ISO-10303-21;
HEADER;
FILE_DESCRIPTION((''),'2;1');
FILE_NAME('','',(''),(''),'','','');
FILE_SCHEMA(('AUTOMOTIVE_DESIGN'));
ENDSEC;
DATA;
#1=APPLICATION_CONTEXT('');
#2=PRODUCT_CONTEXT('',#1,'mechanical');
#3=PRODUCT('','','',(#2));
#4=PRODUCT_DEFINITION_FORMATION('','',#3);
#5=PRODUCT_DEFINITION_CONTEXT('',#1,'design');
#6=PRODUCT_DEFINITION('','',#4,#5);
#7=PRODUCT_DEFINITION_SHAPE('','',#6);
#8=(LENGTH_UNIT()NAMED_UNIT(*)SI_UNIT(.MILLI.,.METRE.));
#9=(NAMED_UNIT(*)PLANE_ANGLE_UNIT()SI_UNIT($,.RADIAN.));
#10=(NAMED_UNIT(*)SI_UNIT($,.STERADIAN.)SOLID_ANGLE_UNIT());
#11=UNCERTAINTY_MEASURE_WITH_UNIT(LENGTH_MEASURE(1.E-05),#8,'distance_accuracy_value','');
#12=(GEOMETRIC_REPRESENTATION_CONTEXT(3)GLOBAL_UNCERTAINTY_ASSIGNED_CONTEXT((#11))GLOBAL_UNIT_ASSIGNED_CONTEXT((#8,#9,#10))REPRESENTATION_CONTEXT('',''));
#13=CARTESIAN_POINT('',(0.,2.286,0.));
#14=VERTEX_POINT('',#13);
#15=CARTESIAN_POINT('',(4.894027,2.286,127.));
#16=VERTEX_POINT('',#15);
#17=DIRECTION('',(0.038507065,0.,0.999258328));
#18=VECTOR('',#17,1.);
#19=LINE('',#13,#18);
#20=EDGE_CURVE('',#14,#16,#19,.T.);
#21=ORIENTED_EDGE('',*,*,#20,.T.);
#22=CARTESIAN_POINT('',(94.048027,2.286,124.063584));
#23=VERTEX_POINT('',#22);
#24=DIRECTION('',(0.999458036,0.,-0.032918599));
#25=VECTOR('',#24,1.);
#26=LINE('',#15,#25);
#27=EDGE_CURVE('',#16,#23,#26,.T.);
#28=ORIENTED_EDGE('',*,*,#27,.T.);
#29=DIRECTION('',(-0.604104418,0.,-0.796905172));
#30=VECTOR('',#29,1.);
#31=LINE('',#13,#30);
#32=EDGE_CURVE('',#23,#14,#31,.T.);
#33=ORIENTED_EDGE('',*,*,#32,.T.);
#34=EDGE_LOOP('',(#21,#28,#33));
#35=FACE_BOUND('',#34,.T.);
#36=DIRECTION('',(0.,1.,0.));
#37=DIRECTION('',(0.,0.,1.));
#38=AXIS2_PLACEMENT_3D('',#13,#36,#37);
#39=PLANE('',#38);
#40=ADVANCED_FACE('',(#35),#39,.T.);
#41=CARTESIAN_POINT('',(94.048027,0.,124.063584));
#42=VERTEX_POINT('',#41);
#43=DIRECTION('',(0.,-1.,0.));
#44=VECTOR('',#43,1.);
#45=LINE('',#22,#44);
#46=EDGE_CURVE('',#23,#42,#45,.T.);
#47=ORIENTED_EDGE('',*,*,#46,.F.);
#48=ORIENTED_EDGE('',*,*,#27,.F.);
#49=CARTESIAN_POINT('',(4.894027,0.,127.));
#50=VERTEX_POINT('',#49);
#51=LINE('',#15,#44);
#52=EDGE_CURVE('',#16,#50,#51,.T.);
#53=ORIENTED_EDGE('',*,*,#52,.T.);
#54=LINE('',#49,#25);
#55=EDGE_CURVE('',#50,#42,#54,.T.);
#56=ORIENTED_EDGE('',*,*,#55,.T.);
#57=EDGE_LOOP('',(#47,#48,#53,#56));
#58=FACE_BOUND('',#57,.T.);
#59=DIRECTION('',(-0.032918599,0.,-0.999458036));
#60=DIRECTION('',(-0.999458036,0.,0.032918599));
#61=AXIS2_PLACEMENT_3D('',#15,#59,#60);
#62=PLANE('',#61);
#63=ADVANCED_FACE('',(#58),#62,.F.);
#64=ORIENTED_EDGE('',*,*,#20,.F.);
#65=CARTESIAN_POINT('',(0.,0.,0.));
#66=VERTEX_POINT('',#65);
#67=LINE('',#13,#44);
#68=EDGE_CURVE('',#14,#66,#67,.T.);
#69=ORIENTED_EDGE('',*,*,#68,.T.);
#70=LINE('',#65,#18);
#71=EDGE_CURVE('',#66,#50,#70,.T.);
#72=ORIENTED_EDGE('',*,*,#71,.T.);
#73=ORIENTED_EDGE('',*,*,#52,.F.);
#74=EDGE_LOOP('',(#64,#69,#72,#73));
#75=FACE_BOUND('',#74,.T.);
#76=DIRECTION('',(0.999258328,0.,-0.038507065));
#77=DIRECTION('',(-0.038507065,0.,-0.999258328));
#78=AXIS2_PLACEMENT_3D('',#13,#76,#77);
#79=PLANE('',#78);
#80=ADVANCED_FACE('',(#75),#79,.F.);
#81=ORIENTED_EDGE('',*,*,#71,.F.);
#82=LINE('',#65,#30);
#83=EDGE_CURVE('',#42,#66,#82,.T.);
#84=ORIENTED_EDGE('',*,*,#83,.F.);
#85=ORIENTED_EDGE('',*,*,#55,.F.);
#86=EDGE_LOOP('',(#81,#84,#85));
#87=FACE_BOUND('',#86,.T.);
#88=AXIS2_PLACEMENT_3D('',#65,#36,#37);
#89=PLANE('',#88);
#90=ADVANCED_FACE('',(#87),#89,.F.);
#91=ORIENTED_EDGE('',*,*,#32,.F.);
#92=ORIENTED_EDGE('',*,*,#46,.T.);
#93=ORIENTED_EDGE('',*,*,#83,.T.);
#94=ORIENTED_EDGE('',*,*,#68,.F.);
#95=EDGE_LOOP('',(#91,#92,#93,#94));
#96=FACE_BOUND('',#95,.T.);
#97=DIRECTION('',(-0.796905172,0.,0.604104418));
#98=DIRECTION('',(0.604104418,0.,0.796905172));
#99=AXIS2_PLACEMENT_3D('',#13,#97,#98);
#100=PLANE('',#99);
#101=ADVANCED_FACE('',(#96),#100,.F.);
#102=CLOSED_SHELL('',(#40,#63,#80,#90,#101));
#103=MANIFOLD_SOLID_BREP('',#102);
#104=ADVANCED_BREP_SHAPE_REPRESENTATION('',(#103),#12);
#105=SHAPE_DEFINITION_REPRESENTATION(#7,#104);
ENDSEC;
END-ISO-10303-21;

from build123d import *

# Parameters (mm, degrees)
BOSS_EXTRUDE1_DEPTH = 2.286


with BuildPart() as part:
    # Sketch1 → Boss-Extrude1 (new body)
    with BuildSketch(Plane(origin=(0, 0, 0), x_dir=(1, 0, 0), z_dir=(0, 1, 0))):
        Polygon((0, 0), (4.894026975, -127), (94.048026975, -124.063583815), align=None)
    extrude(amount=BOSS_EXTRUDE1_DEPTH)


solid = part.part
